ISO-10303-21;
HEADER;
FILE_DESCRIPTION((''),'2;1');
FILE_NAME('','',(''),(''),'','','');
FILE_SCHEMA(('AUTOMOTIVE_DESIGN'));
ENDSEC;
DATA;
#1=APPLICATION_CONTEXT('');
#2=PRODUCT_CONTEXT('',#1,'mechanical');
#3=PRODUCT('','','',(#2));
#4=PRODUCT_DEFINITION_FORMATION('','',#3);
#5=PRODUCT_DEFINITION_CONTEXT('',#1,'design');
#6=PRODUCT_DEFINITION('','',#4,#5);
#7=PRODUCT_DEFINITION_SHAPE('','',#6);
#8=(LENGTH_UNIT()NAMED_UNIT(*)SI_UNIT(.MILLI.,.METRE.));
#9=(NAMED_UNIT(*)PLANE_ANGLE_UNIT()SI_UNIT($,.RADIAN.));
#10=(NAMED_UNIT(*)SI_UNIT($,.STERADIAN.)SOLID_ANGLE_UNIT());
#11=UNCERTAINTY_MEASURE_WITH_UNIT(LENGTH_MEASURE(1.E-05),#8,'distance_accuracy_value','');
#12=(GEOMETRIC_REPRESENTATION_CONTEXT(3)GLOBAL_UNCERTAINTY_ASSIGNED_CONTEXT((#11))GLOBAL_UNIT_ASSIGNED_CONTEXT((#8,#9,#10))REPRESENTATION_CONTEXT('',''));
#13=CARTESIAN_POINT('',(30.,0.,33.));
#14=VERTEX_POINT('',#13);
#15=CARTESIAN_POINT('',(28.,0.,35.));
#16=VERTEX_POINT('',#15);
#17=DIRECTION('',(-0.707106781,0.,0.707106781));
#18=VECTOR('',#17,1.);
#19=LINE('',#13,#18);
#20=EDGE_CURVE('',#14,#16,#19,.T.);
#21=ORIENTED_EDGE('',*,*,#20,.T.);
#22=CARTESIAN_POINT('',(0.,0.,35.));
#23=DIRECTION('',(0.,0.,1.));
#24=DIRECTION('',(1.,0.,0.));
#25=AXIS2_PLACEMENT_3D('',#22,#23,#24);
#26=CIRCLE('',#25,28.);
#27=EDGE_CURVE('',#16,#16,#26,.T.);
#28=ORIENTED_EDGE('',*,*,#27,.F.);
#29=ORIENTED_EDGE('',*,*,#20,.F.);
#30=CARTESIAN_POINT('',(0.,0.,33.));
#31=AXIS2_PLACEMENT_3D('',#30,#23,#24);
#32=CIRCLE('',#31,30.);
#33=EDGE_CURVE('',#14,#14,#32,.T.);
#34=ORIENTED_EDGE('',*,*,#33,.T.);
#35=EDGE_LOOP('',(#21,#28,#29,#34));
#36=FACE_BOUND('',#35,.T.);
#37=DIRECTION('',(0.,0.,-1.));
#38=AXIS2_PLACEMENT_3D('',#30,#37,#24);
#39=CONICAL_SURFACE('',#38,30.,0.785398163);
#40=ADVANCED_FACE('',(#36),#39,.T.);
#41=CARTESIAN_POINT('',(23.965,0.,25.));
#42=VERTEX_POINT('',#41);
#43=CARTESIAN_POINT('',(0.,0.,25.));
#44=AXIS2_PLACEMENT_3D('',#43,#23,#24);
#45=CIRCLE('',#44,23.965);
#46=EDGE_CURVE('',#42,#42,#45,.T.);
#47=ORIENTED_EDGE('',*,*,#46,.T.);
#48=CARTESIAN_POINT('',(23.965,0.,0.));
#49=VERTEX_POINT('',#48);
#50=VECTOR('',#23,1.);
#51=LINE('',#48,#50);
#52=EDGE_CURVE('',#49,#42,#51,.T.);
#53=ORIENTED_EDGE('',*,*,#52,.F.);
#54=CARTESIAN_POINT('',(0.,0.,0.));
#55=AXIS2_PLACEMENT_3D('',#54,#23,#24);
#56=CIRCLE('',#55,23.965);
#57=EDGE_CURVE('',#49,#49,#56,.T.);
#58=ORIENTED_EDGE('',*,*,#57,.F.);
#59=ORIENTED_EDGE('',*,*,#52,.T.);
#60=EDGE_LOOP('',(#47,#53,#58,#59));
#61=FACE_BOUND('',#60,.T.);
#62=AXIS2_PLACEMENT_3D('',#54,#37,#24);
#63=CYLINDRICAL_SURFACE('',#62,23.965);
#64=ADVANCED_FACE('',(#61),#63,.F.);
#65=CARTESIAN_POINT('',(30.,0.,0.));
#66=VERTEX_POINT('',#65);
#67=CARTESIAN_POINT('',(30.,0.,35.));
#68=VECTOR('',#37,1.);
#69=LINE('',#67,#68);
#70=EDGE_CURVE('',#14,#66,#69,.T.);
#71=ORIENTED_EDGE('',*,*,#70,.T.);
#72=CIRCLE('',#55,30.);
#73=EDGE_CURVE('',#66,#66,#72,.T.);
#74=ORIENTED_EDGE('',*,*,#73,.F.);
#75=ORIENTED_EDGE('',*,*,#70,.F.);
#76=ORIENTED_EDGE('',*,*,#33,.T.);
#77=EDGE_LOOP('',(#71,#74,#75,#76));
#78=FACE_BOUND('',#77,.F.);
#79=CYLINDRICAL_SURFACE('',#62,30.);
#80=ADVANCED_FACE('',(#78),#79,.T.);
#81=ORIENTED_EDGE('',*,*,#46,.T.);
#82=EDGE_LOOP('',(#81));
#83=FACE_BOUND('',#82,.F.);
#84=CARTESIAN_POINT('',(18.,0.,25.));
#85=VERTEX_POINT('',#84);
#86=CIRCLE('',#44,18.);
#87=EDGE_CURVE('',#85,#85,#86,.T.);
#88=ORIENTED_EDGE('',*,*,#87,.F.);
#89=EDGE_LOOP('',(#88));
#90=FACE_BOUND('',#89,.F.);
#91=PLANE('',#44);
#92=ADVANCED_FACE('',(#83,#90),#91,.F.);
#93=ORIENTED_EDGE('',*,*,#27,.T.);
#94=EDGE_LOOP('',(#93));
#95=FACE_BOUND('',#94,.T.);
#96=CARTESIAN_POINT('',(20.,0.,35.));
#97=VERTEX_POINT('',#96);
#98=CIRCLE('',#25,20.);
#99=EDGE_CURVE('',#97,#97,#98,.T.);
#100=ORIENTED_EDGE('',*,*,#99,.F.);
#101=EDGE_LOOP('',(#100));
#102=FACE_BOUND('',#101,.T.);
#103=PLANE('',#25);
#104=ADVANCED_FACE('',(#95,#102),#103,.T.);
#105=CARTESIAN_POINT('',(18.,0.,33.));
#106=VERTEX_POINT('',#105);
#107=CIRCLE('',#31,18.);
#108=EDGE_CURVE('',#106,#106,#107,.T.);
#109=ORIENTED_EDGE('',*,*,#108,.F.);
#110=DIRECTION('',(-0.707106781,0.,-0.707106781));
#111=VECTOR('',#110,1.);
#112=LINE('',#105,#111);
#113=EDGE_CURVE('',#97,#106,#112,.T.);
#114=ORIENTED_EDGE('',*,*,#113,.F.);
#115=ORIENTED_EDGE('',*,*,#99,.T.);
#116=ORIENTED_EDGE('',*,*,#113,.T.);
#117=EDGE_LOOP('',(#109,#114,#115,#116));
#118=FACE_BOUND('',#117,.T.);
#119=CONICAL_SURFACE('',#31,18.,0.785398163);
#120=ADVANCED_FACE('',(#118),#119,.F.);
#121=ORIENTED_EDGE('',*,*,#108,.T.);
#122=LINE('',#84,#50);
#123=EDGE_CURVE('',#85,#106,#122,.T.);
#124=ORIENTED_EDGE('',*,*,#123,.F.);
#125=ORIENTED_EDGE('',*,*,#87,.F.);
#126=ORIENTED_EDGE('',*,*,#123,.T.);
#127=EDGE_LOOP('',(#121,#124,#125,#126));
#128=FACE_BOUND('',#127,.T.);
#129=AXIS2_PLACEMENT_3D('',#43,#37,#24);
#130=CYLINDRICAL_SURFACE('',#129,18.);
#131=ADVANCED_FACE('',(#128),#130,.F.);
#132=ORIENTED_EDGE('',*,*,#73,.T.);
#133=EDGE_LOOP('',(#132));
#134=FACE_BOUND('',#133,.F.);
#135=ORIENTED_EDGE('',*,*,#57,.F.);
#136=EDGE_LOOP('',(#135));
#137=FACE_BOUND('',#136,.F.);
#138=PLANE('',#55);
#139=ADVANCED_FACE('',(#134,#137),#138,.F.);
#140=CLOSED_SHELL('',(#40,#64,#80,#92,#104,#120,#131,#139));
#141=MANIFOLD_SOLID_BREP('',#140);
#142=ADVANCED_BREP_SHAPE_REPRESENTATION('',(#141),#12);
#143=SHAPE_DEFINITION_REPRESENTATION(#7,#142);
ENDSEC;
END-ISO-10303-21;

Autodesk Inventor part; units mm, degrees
ref_plane "YZ Plane" through (0, 0, 0) normal (1, 0, 0) x (0, 1, 0)
ref_plane "XZ Plane" through (0, 0, 0) normal (0, 1, 0) x (-1, 0, 0)
ref_plane "XY Plane" through (0, 0, 0) normal (0, 0, 1) x (1, 0, 0)
sketch "Sketch1" plane through (0, 0, 0) normal (0, 0, 1) x (1, 0, 0)
  circle A0 centre (0, 0) radius 23.965
  circle A1 centre (0, 0) radius 30
  spline S0 degree 3 poles (-14.0044, 16.3473) (-10.6248, 19.2425) (-6.3279, 21.0504) (-1.895, 21.4422) (2.5312, 21.8334) (7.0716, 20.8109) (10.9029, 18.5603) (14.7508, 16.3) (17.8645, 12.8114) (19.6749, 8.7325) (21.4787, 4.6683) (21.9802, 0.0378) (21.0881, -4.3184) (20.1947, -8.6815) (17.9074, -12.7482) (14.643, -15.7779) (13.057, -17.2497) (11.2477, -18.4805) (9.2962, -19.4149) knots 101.316363 101.316363 101.316363 101.316363 101.936571 101.936571 101.936571 102.555845 102.555845 102.555845 103.177798 103.177798 103.177798 103.797501 103.797501 103.797501 104.418203 104.418203 104.418203 104.719755 104.719755 104.719755 104.719755 construction
  circle A2 centre (0, 0) radius 20.7257 construction
  line L0 (9.2962, -19.4149) -> (0, 0) construction
  dimension "d0" = 47.93
  dimension "d2" = 60
  dimension "d26" = 6.035
  dimension "d27" = 21.5257
extrude "Extrusion1" add sketch "Sketch1" along normal blind 25
sketch "Sketch3" plane through (0, 0, 25) normal (0, 0, 1) x (1, 0, 0)
  circle A0 centre (0, 0) radius 23.965 construction
  circle A1 centre (0, 0) radius 30 projected
  circle A2 centre (0, 0) radius 18
  dimension "d25" = 36
extrude "Extrusion2" add sketch "Sketch3" along normal blind 10
chamfer "Chamfer2" distance 2 angle 45 2 edges at (-30, 0, 35) (-18, 0, 35)
thread "Thread2" size "M48x1.5" class "6H" standard "ISO Metric profile" full length
equation "\"d0\" = Tread_OD"
equation "\"d2\" = NutCap_OD"
equation "\"d3\" = NutCapTread_L"
equation "\"d25\" = Screw_DIA"
equation "\"TD\" = 0.3"
equation "\"Ball_DIA\" = 6"
equation "\"Screw_L\" = 292"
equation "\"Screw_DIA\" = 36"
equation "\"Nut_OD\" = 66"
equation "\"BPath_REVQ\" = 5.75"
equation "\"Tread_OFFSET\" = 8.075"
equation "\"SteeringColumn_DIA\" = 26"
equation "\"SteeringColumnChamfer_DEG\" = 20deg"
equation "\"Rack_L\" = 307.252"
equation "\"NutCapTread_L\" = 25"
equation "\"NutCapTread_THICKNESS\" = 5.365"
equation "\"NutCap_OD\" = 60"
equation "\"SupportFlange_THICKNESS\" = 5"
equation "\"GearKey_L\" = 32"
equation "\"Tread_OD\" = 47.93"
properties part number "MCEN4000:B4" material "STAINLESS STEEL, AISI 302"
